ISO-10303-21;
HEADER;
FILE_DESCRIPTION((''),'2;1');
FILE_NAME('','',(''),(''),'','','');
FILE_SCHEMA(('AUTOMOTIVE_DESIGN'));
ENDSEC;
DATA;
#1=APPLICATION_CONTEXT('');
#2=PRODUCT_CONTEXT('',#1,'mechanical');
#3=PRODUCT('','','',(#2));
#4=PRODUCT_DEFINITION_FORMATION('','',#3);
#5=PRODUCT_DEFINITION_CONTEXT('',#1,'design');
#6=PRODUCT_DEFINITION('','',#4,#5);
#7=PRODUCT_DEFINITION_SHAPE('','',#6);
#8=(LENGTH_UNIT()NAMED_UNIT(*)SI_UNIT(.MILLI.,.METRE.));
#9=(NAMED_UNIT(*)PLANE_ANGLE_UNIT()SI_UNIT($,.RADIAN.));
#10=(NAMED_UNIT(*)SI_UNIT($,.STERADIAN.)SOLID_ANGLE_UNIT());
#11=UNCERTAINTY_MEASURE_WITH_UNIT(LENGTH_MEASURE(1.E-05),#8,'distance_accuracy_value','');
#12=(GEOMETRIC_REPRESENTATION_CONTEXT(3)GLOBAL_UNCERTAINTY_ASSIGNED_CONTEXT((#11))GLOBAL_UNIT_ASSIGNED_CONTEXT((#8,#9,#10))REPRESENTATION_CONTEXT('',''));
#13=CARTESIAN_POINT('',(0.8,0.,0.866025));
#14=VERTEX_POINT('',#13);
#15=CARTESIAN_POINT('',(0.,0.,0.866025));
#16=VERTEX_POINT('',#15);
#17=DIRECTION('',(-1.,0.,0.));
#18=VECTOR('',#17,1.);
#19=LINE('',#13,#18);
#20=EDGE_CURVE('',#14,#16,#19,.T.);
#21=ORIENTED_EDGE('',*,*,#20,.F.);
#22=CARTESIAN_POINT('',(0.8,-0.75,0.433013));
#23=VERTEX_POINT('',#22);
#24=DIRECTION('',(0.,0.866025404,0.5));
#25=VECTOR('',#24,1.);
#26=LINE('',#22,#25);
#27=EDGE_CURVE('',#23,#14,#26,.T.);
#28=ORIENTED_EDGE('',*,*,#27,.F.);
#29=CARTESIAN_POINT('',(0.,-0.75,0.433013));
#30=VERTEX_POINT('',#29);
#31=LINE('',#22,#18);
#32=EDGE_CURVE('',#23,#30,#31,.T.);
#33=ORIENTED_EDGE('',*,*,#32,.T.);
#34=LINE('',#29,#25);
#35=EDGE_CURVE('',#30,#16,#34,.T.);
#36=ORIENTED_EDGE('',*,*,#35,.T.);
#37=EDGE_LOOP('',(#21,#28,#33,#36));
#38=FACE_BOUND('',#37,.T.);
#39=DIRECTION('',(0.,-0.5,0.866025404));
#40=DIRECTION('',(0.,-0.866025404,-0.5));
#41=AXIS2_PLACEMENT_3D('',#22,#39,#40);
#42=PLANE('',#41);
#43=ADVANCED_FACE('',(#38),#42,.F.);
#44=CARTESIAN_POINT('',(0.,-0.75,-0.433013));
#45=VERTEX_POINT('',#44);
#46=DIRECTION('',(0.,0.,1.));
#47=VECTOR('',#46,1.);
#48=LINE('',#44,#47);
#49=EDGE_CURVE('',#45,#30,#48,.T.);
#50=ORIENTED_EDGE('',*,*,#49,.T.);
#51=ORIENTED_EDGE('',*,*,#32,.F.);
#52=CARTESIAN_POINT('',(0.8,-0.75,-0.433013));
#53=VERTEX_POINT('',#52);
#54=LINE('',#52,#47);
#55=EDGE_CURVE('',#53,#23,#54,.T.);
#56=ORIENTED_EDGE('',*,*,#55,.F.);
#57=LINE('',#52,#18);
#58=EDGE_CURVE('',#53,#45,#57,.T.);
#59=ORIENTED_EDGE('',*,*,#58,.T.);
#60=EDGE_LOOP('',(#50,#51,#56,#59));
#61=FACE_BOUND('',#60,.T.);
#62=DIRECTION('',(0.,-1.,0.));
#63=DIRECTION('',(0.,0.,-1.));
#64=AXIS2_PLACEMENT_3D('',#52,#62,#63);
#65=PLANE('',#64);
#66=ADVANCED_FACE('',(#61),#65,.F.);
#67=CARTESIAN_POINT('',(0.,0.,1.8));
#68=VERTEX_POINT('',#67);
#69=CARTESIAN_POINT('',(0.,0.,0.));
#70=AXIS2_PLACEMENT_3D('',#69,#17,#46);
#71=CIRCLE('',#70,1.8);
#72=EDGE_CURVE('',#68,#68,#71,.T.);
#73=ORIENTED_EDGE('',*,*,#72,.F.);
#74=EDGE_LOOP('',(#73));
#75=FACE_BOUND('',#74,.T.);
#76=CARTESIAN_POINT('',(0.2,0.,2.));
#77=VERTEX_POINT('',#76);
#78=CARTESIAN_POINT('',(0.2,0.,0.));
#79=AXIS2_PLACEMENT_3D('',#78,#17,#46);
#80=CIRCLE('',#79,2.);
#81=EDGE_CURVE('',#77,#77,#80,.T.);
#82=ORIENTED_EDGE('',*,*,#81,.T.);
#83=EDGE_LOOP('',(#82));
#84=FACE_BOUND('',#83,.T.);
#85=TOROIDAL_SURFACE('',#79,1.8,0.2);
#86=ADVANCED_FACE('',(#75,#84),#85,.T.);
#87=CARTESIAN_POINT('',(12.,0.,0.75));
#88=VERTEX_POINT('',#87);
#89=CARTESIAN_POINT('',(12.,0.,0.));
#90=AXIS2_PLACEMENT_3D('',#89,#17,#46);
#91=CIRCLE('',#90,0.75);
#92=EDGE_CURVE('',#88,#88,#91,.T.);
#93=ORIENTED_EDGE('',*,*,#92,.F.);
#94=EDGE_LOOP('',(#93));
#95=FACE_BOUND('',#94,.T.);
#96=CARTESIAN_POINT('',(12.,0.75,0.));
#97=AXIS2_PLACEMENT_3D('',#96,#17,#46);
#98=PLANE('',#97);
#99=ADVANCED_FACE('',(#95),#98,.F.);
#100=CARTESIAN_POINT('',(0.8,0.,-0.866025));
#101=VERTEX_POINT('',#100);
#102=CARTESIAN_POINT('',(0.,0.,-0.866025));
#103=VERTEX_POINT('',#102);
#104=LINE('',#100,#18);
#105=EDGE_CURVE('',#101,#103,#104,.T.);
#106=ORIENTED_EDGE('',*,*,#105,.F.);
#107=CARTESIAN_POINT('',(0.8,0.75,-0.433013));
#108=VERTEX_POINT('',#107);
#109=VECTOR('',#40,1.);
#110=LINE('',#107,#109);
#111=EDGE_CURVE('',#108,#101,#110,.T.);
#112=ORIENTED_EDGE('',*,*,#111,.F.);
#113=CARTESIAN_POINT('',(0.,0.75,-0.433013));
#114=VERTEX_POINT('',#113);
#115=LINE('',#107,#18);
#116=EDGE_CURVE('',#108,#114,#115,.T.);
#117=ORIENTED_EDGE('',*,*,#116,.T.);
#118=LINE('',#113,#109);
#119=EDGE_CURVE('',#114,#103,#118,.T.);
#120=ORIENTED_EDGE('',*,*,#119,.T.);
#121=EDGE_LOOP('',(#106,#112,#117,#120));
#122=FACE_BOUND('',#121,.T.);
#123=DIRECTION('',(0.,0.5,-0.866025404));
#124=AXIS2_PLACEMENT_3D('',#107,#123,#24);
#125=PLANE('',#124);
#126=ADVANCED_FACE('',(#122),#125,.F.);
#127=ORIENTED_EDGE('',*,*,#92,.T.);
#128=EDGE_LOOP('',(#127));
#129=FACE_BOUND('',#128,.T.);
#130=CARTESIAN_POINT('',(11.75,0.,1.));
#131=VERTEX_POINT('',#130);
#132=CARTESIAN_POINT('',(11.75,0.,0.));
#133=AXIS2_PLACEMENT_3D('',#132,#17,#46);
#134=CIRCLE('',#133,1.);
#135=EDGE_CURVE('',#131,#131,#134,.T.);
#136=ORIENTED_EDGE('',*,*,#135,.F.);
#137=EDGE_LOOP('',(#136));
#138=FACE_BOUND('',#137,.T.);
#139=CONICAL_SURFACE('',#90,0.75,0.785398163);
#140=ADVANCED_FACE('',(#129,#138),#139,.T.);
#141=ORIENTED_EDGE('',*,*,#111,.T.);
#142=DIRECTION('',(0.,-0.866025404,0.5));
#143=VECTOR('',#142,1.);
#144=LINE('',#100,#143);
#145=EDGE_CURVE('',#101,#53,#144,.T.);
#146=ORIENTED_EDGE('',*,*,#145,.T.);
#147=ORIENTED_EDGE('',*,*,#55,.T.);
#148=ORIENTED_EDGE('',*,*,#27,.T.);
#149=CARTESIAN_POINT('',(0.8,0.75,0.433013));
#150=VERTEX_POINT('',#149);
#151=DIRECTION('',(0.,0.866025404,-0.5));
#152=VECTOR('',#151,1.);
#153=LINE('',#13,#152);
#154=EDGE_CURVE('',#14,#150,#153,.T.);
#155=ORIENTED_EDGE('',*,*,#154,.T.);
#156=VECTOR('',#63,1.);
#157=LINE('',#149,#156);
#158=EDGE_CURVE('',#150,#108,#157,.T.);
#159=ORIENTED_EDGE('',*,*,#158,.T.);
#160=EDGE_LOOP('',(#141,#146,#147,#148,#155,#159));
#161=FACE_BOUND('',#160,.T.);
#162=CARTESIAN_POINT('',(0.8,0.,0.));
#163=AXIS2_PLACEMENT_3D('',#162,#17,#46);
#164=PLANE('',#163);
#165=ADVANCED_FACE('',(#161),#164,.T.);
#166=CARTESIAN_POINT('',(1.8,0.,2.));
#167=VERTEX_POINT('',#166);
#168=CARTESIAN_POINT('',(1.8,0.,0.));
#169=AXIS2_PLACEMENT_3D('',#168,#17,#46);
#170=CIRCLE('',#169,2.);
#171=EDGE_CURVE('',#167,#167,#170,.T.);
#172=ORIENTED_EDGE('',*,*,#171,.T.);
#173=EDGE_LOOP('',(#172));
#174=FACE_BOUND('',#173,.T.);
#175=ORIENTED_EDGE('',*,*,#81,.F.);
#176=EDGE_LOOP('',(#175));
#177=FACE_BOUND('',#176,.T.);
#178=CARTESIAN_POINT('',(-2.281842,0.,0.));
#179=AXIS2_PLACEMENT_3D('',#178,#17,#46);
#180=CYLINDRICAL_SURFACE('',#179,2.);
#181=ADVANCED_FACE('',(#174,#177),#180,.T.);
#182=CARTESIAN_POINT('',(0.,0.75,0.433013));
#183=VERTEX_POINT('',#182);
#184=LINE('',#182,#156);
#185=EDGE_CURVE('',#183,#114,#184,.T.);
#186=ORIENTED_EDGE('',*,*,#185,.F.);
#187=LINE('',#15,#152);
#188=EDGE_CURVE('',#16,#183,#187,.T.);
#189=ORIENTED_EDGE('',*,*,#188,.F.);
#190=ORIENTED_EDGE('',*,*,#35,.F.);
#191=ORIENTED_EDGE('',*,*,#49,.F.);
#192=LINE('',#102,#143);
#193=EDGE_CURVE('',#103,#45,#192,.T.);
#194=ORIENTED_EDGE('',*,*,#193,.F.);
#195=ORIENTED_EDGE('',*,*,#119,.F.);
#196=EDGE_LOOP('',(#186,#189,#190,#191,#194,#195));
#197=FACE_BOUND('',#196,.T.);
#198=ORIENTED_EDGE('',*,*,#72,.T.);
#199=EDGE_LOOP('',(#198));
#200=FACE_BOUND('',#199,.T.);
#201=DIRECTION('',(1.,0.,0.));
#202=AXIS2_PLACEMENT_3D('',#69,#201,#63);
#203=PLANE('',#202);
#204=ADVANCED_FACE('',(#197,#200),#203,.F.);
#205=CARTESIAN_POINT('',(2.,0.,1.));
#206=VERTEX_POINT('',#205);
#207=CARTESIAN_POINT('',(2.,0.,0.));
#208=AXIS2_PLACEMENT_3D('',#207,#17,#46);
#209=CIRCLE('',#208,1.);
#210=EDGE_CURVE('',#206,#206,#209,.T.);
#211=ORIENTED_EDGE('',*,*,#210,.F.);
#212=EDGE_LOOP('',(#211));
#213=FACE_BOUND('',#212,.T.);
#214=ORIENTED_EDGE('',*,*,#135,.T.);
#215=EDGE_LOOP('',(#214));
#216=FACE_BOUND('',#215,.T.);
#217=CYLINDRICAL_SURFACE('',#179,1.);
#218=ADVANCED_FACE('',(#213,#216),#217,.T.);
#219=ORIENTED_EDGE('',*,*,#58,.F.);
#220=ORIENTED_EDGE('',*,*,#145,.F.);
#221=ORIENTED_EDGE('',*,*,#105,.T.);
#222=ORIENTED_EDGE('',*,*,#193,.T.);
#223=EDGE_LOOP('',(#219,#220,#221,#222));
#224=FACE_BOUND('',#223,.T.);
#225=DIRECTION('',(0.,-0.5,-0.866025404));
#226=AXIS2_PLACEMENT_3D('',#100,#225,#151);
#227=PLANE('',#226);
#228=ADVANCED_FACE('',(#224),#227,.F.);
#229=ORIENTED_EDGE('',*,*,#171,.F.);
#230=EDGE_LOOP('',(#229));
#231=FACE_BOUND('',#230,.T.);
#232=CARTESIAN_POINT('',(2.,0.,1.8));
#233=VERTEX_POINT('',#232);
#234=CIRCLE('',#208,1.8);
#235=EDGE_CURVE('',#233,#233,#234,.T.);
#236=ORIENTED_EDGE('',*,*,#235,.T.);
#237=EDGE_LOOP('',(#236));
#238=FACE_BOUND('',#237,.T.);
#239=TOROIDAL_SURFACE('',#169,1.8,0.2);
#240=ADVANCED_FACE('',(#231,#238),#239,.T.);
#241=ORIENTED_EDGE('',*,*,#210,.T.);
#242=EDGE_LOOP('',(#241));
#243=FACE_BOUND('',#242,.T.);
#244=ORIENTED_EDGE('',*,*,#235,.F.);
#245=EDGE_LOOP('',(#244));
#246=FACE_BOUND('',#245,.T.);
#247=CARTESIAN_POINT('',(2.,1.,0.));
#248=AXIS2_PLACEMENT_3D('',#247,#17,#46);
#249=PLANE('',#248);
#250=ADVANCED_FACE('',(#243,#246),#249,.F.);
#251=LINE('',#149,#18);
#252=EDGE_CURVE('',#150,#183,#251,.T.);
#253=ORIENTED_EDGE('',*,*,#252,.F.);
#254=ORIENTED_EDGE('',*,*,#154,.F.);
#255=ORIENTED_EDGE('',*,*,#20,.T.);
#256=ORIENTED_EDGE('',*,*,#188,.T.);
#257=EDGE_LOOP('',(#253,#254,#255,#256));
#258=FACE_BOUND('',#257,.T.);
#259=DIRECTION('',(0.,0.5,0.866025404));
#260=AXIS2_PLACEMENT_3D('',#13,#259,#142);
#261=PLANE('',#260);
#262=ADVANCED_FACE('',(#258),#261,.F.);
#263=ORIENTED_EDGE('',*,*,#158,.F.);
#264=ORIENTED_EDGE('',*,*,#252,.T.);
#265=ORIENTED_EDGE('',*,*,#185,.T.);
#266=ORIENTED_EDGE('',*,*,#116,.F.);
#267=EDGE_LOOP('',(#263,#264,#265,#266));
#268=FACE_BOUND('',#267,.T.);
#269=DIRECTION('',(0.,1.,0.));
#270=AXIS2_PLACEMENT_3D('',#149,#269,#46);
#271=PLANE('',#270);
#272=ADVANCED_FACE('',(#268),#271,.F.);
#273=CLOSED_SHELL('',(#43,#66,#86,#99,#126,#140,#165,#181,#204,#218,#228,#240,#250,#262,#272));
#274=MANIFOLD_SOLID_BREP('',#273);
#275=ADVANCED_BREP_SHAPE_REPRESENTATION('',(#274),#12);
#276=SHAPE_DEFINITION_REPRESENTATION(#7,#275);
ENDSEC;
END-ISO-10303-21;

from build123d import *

# Parameters (mm, degrees)
CUT_EXTRUDE1_DEPTH = 0.8


with BuildPart() as part:
    # Sketch2 → Revolve1 (revolve)
    with BuildSketch(Plane.XY):
        with BuildLine():
            Line((0, 0), (0, 1.8))
            ThreePointArc((0, 1.8), (0.058578644, 1.941421356), (0.2, 2))
            Line((0.2, 2), (1.8, 2))
            ThreePointArc((1.8, 2), (1.941421356, 1.941421356), (2, 1.8))
            Line((2, 1.8), (2, 1))
            Line((2, 1), (11.75, 1))
            Line((11.75, 1), (12, 0.75))
            Line((12, 0.75), (12, 0))
            Line((12, 0), (0, 0))
        make_face()
    revolve(axis=Axis((-2.281841559, 0, 0), (1, 0, 0)))

    # Sketch3 → Cut-Extrude1 (cut)
    with BuildSketch(Plane.ZY):
        Polygon((0.433012702, -0.75), (0.866025404, 0), (0.433012702, 0.75), (-0.433012702, 0.75), (-0.866025404, 0), (-0.433012702, -0.75), align=None)
    extrude(amount=-CUT_EXTRUDE1_DEPTH, mode=Mode.SUBTRACT)


solid = part.part
